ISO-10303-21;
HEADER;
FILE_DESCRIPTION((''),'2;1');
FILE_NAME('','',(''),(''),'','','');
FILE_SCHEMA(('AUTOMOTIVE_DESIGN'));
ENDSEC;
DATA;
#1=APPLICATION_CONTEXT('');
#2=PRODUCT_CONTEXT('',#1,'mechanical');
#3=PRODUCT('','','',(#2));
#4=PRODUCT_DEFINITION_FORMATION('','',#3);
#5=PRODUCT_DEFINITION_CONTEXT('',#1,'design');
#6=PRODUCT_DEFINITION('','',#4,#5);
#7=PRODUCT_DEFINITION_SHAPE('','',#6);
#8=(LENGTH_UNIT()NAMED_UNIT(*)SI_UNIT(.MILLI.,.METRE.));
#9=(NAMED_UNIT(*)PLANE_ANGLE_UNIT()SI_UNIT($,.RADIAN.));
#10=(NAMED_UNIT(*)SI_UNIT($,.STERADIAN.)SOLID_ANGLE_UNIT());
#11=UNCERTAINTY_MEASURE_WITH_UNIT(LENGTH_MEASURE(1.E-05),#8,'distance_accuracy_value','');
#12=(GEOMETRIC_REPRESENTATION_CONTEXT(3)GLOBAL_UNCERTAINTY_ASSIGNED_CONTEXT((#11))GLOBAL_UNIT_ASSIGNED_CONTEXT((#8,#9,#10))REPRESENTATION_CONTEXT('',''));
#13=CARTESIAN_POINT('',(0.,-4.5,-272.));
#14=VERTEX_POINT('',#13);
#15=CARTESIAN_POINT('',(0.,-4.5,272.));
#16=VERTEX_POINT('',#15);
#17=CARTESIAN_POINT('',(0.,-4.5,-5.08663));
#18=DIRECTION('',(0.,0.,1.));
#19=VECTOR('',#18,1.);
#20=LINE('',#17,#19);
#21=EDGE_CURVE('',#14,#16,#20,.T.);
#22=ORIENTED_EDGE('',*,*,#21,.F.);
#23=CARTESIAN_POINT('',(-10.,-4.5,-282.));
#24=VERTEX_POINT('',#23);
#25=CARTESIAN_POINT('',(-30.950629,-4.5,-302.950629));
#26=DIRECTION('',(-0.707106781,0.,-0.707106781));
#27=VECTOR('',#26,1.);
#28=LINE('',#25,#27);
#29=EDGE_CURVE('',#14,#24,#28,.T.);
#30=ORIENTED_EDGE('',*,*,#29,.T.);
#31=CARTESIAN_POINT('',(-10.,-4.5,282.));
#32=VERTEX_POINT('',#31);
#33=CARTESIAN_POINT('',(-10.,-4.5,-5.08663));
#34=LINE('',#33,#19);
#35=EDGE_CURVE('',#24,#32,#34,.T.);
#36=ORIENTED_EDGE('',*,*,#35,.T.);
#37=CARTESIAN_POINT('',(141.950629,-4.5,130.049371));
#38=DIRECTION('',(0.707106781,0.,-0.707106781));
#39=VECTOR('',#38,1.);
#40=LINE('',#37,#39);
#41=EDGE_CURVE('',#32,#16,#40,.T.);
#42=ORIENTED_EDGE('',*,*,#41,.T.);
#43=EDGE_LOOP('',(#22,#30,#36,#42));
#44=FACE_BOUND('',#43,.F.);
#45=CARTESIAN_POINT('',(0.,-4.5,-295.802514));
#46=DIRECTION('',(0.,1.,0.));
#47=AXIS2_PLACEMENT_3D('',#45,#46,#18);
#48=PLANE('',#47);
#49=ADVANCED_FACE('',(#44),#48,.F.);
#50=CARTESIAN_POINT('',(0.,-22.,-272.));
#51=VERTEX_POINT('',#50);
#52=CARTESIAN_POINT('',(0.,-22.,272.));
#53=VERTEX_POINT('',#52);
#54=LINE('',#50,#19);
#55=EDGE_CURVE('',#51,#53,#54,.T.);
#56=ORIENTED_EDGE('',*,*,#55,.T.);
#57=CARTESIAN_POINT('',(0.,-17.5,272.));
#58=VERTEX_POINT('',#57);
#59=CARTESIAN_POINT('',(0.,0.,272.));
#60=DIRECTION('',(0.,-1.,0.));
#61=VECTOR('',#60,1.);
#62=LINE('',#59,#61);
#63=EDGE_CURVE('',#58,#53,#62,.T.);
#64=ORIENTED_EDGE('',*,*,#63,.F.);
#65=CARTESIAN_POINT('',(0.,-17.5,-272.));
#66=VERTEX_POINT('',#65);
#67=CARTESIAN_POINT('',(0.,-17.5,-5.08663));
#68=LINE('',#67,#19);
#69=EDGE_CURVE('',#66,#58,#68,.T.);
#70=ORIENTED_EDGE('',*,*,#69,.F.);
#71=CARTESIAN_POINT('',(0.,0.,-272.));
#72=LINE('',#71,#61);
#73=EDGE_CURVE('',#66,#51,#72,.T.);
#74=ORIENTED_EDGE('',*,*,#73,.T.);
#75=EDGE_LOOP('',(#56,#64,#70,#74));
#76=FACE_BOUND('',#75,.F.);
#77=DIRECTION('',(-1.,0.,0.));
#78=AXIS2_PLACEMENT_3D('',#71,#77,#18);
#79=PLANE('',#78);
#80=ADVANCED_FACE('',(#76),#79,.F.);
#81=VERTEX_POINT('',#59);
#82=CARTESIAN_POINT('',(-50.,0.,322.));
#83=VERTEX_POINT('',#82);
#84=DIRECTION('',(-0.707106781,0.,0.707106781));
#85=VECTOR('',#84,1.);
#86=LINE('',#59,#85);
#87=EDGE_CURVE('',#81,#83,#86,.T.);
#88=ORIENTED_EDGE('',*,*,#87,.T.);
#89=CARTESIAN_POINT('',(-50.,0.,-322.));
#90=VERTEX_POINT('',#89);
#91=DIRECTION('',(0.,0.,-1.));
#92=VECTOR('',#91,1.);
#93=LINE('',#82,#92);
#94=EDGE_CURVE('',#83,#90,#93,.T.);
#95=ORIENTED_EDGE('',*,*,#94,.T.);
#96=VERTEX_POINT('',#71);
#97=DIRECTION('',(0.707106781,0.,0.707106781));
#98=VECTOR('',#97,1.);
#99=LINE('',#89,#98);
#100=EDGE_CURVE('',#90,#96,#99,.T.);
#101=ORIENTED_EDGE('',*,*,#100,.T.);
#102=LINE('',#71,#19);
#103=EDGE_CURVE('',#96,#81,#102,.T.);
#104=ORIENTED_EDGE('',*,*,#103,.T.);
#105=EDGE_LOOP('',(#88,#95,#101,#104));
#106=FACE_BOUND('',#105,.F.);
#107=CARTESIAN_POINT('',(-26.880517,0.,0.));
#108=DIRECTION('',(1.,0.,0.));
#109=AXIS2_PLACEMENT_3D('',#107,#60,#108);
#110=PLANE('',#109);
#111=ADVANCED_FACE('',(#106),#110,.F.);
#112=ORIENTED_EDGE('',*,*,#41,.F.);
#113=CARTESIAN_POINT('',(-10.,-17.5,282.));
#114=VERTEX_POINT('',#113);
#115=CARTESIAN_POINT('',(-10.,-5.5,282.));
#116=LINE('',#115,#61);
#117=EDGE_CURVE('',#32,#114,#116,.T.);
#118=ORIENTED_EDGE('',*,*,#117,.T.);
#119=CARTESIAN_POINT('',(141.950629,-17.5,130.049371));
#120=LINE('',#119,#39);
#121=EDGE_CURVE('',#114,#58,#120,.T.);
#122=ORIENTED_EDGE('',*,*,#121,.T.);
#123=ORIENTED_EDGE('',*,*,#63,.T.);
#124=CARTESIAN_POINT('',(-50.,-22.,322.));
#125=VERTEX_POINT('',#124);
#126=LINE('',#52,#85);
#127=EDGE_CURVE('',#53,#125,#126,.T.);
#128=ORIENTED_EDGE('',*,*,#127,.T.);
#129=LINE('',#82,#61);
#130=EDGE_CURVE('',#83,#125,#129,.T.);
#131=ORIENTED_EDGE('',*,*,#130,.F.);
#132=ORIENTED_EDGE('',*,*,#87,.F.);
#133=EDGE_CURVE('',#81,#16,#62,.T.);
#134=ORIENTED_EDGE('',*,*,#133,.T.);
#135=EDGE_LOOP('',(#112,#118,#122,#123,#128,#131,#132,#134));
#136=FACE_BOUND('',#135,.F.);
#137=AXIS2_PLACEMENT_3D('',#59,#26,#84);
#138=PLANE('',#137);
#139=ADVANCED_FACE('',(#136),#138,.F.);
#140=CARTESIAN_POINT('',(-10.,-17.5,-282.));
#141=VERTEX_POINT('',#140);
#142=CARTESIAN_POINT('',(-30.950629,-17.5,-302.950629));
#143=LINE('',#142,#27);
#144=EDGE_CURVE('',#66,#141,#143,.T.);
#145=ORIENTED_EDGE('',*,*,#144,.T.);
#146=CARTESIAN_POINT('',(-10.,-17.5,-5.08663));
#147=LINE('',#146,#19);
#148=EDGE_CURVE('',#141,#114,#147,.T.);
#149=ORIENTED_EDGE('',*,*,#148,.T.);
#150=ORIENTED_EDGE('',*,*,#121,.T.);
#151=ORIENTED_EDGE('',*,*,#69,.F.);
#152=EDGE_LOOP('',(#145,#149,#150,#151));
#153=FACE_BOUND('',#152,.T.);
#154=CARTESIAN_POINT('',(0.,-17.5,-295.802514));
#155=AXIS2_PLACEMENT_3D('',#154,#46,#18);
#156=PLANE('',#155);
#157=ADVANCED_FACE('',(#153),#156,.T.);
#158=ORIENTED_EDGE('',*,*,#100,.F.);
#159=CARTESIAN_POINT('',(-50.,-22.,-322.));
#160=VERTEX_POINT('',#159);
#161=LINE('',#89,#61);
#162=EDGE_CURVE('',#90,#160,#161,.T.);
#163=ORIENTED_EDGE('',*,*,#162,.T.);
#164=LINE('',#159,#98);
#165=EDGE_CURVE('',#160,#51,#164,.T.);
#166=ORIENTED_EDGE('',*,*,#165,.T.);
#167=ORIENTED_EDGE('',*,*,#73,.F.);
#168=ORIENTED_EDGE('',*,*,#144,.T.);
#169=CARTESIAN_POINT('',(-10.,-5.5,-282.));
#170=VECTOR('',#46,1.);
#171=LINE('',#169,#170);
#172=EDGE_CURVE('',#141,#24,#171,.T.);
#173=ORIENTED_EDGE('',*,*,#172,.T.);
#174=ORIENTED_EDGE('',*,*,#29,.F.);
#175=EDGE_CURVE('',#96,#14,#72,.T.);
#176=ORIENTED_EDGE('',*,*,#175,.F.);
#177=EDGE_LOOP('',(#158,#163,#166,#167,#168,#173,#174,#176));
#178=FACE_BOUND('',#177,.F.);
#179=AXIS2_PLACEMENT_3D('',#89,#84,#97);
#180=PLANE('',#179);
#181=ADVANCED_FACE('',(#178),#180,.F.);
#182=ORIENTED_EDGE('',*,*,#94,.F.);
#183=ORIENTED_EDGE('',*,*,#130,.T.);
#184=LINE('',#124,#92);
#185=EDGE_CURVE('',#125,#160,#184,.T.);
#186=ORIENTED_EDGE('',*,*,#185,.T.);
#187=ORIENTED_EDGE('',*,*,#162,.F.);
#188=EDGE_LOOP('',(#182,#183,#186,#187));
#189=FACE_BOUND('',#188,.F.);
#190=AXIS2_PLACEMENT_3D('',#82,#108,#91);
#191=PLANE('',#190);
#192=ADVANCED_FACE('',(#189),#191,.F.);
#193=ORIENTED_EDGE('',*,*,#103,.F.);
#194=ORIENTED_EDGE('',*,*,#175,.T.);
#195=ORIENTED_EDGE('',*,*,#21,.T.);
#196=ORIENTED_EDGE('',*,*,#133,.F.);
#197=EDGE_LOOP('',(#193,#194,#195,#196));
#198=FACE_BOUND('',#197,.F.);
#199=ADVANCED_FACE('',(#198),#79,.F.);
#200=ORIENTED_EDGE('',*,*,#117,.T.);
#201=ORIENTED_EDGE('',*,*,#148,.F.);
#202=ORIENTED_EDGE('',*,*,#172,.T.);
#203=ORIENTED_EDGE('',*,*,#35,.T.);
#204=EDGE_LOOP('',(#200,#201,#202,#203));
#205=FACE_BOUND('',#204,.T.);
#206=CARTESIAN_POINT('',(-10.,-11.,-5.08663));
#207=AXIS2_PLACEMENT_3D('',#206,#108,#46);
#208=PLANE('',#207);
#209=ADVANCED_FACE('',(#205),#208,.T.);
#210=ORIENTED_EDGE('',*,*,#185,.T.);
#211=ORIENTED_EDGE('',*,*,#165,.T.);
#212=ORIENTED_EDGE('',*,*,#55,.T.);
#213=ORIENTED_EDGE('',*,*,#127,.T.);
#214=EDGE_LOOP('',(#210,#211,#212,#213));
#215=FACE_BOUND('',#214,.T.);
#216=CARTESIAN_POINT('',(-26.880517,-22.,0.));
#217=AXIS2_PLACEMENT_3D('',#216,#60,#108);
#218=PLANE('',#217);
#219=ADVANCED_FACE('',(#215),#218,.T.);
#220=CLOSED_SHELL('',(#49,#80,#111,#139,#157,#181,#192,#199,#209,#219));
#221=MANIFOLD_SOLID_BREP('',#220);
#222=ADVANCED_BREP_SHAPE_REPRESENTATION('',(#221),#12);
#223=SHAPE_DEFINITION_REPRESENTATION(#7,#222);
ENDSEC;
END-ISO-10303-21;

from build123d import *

# Parameters (mm, degrees)
F1_DEPTH = 22
F2_W     = 13
F2_H     = 581.431769
F3_DEPTH = 10


with BuildPart() as f1:
    # F0 (on Front) → F1 (new body)
    with BuildSketch(Plane.XZ):
        Polygon((0, 272), (-50, 322), (-50, -322), (0, -272), align=None)
    extrude(amount=F1_DEPTH)

    # F2 (on face) → F3 (cut)
    with BuildSketch(Plane.YZ):
        with Locations((-11, -5.08663)):
            Rectangle(F2_W, F2_H)
    extrude(amount=-F3_DEPTH, mode=Mode.SUBTRACT)


solid = f1.part
